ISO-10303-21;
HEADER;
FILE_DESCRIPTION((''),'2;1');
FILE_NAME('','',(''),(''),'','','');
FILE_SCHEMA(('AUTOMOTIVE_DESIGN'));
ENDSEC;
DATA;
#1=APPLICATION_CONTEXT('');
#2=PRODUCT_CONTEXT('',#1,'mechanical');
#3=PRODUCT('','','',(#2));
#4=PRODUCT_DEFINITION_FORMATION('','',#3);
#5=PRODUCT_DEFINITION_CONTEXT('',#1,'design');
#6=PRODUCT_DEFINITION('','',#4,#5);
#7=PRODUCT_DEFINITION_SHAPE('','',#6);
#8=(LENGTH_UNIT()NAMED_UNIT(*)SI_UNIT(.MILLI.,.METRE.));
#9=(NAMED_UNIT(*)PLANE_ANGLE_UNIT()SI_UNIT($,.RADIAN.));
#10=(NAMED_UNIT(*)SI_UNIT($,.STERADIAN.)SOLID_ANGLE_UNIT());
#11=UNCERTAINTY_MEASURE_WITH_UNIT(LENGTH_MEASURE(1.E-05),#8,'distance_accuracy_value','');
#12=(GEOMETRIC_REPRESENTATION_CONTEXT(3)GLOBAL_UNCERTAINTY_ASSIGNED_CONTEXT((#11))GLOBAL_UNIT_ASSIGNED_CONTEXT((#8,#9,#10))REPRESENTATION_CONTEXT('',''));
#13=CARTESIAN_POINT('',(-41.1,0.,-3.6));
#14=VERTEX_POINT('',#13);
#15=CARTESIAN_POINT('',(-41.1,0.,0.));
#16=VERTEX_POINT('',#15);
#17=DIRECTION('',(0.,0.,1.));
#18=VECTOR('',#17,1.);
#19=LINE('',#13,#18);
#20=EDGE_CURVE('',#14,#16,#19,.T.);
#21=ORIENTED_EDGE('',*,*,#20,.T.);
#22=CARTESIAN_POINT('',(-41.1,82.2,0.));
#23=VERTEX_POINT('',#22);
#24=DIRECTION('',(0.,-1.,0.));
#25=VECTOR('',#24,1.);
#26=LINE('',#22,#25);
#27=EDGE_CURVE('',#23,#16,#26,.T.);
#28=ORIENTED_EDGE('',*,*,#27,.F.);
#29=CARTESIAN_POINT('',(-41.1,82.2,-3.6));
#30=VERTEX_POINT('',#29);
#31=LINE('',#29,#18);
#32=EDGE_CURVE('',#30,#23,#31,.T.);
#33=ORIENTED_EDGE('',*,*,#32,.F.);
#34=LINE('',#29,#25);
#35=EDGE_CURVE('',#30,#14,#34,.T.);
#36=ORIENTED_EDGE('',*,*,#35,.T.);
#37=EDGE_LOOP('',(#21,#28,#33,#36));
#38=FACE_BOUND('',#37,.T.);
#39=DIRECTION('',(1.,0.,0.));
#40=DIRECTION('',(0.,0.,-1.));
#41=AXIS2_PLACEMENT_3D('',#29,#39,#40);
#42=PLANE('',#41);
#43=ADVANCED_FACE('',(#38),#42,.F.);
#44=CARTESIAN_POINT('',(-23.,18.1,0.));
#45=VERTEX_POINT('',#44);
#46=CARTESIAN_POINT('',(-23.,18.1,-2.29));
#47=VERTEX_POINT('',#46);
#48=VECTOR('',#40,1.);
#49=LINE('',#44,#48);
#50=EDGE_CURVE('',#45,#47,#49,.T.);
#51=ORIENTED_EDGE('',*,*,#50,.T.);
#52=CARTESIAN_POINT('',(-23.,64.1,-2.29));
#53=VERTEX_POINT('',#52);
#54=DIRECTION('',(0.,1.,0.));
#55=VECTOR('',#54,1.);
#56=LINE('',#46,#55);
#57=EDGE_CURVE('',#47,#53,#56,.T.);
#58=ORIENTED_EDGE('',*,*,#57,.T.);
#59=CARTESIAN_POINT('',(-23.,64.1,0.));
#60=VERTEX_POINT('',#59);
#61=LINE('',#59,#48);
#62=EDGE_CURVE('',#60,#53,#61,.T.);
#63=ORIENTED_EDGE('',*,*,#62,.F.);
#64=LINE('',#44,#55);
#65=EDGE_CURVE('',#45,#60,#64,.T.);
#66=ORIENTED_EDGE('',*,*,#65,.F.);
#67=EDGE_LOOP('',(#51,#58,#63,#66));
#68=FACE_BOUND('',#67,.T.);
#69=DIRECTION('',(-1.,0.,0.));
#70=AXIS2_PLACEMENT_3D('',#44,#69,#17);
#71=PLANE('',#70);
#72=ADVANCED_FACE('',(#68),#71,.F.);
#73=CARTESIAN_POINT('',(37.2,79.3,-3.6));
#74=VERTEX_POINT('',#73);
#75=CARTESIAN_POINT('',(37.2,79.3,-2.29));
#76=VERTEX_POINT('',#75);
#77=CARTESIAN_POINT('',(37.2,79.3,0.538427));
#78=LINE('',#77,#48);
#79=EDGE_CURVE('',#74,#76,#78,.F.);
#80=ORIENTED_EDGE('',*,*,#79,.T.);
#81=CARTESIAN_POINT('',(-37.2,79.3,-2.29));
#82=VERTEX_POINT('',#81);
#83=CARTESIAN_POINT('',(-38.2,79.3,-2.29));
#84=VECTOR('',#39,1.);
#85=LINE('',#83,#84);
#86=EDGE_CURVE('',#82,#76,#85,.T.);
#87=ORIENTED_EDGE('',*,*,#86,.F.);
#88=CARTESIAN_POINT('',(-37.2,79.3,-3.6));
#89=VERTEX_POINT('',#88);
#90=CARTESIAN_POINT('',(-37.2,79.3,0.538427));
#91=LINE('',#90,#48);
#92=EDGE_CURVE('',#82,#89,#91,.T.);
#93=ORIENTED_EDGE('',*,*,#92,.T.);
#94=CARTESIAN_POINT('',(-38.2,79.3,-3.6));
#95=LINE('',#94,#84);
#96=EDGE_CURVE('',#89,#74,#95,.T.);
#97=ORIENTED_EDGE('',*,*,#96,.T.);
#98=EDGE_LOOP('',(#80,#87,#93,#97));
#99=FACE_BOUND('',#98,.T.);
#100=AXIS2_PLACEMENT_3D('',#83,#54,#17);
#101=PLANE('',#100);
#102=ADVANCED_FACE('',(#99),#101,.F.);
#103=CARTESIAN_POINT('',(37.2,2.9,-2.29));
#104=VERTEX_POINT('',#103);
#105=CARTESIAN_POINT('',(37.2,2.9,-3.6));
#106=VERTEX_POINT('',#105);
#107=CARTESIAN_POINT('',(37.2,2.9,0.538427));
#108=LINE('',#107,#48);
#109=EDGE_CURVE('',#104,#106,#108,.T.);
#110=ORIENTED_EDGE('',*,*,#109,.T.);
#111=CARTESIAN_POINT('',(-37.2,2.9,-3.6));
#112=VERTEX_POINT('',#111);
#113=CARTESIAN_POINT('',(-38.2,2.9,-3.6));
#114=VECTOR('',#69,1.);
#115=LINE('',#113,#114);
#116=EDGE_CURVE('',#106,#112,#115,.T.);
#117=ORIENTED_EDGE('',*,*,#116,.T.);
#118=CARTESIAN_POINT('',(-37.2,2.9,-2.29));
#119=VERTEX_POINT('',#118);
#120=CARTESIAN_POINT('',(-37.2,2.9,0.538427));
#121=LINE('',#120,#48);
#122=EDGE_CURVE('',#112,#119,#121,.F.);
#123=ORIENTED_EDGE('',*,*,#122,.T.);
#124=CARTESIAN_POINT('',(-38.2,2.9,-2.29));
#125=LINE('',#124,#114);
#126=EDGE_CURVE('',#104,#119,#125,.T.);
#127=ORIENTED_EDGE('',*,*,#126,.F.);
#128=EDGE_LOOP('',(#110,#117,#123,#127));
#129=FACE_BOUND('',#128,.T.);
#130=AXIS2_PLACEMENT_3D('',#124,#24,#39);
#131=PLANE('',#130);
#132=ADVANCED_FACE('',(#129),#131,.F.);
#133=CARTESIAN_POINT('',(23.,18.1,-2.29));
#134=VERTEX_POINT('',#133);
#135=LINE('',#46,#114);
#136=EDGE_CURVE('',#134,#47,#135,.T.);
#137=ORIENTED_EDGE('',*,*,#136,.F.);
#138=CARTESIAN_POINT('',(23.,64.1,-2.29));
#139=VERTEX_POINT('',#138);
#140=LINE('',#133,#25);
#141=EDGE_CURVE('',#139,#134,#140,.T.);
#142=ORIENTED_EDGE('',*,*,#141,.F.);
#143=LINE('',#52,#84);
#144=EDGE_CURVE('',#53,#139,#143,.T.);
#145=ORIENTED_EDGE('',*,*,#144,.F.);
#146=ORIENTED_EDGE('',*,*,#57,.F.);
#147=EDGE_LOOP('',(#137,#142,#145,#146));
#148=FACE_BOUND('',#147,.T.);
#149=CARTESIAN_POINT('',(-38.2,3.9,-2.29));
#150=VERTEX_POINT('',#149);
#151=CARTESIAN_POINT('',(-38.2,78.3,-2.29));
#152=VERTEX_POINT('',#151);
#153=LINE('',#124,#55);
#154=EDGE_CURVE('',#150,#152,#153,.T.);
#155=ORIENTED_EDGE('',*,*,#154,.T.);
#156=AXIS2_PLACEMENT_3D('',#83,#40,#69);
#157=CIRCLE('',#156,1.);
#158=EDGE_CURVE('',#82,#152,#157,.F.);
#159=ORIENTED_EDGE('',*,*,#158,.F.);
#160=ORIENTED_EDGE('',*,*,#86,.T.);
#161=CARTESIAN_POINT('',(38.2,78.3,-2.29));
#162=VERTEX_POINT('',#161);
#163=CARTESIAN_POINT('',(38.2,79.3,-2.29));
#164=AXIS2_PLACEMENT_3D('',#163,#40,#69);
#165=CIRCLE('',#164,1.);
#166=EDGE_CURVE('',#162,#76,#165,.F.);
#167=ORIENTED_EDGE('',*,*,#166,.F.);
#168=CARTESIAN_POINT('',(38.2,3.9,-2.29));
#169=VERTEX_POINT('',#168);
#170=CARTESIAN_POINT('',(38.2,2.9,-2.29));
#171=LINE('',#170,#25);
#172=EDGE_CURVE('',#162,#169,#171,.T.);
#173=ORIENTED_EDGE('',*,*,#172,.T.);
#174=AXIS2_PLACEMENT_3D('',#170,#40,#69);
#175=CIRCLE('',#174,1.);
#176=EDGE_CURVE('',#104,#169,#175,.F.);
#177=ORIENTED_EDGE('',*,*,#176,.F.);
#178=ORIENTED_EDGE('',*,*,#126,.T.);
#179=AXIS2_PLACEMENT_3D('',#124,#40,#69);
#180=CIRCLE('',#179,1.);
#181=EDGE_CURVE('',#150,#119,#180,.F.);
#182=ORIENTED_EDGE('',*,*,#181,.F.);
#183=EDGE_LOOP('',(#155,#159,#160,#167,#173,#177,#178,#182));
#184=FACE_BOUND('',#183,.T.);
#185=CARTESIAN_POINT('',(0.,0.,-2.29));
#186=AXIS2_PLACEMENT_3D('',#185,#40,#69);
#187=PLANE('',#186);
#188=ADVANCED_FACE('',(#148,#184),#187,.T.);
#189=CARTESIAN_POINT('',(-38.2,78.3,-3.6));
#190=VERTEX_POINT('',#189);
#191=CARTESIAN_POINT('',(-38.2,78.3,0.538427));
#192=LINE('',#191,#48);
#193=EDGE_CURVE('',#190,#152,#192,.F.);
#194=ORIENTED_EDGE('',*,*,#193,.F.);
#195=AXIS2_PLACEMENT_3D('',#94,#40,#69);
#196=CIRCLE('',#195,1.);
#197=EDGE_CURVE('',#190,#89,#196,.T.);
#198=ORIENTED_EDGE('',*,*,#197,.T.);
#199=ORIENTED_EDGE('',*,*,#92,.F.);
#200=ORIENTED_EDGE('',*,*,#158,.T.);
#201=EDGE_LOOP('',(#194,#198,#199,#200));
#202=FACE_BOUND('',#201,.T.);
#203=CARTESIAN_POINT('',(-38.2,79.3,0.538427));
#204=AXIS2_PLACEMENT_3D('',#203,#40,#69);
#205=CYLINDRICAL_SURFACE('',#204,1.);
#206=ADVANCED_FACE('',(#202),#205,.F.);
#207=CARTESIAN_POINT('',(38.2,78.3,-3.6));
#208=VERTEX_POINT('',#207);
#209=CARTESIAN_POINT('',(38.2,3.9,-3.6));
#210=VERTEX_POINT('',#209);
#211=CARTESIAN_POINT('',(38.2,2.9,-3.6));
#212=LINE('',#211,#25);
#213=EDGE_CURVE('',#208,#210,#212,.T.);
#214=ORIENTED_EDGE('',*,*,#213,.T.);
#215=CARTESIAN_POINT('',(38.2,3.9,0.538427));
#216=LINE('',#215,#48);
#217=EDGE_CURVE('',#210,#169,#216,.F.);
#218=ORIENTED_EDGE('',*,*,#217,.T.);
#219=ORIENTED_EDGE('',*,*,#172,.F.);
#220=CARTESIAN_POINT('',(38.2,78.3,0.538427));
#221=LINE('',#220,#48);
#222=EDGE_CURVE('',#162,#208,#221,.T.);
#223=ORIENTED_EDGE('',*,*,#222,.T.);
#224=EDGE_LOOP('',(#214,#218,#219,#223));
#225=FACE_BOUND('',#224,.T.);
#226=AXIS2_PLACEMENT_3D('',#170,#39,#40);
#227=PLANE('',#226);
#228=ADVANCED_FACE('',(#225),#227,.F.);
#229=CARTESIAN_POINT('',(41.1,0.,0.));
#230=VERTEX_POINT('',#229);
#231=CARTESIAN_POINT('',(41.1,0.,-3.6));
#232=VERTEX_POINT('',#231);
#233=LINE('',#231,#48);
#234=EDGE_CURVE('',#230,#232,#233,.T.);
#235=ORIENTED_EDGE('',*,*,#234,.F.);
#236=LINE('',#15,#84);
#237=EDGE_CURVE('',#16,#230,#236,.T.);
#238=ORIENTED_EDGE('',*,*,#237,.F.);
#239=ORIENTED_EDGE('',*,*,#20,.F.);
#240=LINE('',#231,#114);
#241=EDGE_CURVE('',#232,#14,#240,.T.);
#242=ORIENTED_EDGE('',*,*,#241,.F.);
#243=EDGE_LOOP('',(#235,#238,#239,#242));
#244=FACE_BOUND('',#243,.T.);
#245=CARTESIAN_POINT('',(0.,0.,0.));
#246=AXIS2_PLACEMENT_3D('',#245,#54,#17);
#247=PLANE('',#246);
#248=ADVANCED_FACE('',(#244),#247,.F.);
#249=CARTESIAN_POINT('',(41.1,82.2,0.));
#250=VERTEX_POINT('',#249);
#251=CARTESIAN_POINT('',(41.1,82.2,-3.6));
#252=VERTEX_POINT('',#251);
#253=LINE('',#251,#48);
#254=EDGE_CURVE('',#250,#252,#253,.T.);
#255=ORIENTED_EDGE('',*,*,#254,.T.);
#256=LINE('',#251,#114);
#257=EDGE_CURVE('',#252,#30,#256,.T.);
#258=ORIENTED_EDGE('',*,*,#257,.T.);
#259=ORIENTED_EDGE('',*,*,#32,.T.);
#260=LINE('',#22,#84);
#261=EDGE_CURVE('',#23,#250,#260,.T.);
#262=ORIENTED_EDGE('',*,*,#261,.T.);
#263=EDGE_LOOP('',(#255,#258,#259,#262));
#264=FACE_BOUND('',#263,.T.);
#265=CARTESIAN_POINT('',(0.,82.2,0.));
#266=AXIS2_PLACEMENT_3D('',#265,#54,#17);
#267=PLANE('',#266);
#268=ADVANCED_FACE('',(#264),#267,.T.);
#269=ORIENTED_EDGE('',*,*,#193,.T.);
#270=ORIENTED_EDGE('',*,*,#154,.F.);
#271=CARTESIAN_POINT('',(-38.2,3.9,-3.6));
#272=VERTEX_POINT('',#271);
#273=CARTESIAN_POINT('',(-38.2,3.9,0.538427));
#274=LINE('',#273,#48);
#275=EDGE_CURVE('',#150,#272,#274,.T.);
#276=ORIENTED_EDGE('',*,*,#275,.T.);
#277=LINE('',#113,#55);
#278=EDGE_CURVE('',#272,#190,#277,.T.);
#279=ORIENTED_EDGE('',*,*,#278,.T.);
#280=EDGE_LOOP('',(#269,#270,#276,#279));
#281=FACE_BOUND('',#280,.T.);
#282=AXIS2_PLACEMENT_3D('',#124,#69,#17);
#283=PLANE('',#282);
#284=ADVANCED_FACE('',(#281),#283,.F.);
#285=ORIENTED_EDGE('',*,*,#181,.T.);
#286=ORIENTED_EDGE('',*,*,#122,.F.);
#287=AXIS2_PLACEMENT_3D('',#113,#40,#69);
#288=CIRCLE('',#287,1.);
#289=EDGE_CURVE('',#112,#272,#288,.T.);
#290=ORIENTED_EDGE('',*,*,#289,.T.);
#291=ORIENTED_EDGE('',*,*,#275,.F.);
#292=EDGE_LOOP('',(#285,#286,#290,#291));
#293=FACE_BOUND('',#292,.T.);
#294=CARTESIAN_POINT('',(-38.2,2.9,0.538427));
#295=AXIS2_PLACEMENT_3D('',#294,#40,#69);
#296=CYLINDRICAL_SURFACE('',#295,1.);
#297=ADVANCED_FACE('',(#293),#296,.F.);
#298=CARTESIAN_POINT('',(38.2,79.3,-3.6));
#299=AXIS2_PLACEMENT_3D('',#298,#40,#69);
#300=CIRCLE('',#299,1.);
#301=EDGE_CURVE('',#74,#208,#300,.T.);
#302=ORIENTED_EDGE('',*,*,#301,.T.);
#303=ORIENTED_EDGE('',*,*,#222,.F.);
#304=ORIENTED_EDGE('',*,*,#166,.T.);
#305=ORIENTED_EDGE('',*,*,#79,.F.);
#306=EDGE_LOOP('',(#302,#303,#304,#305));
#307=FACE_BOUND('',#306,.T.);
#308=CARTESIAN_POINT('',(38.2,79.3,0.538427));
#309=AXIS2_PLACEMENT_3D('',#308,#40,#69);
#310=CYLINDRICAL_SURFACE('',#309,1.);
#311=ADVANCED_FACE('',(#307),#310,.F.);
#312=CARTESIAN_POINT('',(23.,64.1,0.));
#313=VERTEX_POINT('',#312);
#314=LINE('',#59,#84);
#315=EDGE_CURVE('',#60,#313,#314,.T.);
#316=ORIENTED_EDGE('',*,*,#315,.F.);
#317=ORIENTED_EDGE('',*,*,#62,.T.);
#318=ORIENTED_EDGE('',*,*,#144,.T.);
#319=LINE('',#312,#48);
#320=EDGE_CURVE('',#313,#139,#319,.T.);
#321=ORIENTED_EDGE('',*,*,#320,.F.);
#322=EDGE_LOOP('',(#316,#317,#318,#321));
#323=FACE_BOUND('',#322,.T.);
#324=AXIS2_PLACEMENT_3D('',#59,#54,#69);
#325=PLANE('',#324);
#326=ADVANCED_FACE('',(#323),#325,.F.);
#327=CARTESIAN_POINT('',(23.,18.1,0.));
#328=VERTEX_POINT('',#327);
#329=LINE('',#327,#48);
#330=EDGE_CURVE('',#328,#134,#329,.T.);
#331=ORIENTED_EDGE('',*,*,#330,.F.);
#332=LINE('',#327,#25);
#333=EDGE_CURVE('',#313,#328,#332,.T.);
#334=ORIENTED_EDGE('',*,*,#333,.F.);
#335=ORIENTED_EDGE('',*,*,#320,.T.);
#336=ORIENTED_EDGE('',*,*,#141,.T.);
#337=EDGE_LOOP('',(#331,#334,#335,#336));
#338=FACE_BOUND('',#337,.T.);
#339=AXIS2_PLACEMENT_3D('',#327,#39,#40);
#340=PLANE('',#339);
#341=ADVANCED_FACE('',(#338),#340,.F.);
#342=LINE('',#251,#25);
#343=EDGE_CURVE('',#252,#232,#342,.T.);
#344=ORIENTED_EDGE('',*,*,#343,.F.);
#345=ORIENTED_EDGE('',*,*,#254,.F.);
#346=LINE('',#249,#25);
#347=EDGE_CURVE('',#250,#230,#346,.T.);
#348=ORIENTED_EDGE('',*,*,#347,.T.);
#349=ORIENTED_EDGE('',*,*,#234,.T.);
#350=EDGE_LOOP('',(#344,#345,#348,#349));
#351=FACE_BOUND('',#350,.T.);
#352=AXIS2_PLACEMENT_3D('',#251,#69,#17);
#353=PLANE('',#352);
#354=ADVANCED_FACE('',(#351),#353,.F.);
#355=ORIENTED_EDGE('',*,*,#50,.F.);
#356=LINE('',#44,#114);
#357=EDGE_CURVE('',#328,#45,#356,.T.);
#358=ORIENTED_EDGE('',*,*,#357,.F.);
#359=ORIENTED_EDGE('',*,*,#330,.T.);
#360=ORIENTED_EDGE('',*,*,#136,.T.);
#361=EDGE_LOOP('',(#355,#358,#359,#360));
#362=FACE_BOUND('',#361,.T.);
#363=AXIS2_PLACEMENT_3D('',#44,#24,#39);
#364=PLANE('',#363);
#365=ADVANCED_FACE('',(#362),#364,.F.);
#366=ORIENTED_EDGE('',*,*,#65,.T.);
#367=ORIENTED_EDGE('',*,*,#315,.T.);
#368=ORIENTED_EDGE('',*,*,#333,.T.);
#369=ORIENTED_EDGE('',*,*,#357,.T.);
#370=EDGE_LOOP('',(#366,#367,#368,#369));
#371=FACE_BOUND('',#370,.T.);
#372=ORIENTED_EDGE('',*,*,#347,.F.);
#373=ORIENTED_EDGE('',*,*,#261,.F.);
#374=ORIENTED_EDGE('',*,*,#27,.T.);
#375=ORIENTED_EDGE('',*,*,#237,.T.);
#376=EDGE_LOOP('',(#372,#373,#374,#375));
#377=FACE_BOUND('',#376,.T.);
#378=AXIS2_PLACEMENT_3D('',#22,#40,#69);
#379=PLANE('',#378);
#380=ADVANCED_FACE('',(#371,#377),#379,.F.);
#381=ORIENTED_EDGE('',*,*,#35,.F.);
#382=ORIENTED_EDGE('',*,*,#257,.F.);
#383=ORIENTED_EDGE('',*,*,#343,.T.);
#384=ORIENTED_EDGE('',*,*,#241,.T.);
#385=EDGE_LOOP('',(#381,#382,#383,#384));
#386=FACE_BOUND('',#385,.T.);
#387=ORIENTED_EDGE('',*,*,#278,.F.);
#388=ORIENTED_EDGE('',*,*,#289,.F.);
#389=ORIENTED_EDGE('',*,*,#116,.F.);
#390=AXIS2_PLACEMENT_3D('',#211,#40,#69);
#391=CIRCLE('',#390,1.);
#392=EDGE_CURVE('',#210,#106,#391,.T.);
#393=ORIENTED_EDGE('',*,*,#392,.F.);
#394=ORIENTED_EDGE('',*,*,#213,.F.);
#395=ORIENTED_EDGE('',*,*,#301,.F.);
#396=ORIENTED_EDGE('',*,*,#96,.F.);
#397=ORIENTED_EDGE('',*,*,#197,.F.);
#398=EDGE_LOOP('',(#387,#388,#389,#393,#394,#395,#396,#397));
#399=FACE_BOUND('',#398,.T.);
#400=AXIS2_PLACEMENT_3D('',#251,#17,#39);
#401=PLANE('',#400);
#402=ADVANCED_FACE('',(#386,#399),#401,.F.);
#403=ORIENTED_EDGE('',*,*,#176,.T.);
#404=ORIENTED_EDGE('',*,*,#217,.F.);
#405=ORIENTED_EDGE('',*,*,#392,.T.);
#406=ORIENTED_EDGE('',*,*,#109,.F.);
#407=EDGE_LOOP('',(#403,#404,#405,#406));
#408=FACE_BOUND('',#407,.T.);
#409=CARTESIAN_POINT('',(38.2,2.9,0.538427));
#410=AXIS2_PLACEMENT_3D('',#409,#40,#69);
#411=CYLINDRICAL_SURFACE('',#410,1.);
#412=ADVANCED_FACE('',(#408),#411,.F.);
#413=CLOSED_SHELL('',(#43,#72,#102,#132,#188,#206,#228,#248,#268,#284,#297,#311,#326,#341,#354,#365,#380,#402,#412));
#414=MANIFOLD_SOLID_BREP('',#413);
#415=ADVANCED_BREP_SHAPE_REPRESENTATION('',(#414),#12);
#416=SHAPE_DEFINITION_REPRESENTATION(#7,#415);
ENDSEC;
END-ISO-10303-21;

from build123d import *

# Parameters (mm, degrees)
SKETCH1_W           = 82.2
SKETCH1_H           = 3.6
BOSS_EXTRUDE1_DEPTH = 82.2
SKETCH2_W           = 76.4
SKETCH2_H           = 76.4
CUT_EXTRUDE1_DEPTH  = 1.31
SKETCH4_R           = 1
CUT_EXTRUDE3_DEPTH  = 1.31
SKETCH3_W           = 46
SKETCH3_H           = 46
CUT_EXTRUDE2_DEPTH  = 92.930920261


with BuildPart() as part:
    # Sketch1 → Boss-Extrude1 (new body)
    with BuildSketch(Plane(origin=(0, 0, 0), x_dir=(1, 0, 0), z_dir=(0, 1, 0))):
        with Locations((0, 1.8)):
            Rectangle(SKETCH1_W, SKETCH1_H)
    extrude(amount=BOSS_EXTRUDE1_DEPTH)

    # Sketch2 → Cut-Extrude1 (cut)
    with BuildSketch(Plane(origin=(0, 0, -3.6), x_dir=(-1, 0, 0), z_dir=(0, 0, -1))):
        with Locations((0, 41.1)):
            Rectangle(SKETCH2_W, SKETCH2_H)
    extrude(amount=-CUT_EXTRUDE1_DEPTH, mode=Mode.SUBTRACT)

    # Sketch4 → Cut-Extrude3 (cut)
    with BuildSketch(Plane(origin=(0, 0, -3.6), x_dir=(-1, 0, 0), z_dir=(0, 0, -1))):
        with Locations((38.2, 2.9)):
            Circle(SKETCH4_R)
        with Locations((38.2, 79.3)):
            Circle(SKETCH4_R)
        with Locations((-38.2, 2.9)):
            Circle(SKETCH4_R)
        with Locations((-38.2, 79.3)):
            Circle(SKETCH4_R)
    extrude(amount=-CUT_EXTRUDE3_DEPTH, mode=Mode.SUBTRACT)

    # Sketch3 → Cut-Extrude2 (cut, through all)
    with BuildSketch(Plane(origin=(0, 0, -2.29), x_dir=(-1, 0, 0), z_dir=(0, 0, -1))):
        with Locations((0, 41.1)):
            Rectangle(SKETCH3_W, SKETCH3_H)
    extrude(amount=-CUT_EXTRUDE2_DEPTH, mode=Mode.SUBTRACT)


solid = part.part
